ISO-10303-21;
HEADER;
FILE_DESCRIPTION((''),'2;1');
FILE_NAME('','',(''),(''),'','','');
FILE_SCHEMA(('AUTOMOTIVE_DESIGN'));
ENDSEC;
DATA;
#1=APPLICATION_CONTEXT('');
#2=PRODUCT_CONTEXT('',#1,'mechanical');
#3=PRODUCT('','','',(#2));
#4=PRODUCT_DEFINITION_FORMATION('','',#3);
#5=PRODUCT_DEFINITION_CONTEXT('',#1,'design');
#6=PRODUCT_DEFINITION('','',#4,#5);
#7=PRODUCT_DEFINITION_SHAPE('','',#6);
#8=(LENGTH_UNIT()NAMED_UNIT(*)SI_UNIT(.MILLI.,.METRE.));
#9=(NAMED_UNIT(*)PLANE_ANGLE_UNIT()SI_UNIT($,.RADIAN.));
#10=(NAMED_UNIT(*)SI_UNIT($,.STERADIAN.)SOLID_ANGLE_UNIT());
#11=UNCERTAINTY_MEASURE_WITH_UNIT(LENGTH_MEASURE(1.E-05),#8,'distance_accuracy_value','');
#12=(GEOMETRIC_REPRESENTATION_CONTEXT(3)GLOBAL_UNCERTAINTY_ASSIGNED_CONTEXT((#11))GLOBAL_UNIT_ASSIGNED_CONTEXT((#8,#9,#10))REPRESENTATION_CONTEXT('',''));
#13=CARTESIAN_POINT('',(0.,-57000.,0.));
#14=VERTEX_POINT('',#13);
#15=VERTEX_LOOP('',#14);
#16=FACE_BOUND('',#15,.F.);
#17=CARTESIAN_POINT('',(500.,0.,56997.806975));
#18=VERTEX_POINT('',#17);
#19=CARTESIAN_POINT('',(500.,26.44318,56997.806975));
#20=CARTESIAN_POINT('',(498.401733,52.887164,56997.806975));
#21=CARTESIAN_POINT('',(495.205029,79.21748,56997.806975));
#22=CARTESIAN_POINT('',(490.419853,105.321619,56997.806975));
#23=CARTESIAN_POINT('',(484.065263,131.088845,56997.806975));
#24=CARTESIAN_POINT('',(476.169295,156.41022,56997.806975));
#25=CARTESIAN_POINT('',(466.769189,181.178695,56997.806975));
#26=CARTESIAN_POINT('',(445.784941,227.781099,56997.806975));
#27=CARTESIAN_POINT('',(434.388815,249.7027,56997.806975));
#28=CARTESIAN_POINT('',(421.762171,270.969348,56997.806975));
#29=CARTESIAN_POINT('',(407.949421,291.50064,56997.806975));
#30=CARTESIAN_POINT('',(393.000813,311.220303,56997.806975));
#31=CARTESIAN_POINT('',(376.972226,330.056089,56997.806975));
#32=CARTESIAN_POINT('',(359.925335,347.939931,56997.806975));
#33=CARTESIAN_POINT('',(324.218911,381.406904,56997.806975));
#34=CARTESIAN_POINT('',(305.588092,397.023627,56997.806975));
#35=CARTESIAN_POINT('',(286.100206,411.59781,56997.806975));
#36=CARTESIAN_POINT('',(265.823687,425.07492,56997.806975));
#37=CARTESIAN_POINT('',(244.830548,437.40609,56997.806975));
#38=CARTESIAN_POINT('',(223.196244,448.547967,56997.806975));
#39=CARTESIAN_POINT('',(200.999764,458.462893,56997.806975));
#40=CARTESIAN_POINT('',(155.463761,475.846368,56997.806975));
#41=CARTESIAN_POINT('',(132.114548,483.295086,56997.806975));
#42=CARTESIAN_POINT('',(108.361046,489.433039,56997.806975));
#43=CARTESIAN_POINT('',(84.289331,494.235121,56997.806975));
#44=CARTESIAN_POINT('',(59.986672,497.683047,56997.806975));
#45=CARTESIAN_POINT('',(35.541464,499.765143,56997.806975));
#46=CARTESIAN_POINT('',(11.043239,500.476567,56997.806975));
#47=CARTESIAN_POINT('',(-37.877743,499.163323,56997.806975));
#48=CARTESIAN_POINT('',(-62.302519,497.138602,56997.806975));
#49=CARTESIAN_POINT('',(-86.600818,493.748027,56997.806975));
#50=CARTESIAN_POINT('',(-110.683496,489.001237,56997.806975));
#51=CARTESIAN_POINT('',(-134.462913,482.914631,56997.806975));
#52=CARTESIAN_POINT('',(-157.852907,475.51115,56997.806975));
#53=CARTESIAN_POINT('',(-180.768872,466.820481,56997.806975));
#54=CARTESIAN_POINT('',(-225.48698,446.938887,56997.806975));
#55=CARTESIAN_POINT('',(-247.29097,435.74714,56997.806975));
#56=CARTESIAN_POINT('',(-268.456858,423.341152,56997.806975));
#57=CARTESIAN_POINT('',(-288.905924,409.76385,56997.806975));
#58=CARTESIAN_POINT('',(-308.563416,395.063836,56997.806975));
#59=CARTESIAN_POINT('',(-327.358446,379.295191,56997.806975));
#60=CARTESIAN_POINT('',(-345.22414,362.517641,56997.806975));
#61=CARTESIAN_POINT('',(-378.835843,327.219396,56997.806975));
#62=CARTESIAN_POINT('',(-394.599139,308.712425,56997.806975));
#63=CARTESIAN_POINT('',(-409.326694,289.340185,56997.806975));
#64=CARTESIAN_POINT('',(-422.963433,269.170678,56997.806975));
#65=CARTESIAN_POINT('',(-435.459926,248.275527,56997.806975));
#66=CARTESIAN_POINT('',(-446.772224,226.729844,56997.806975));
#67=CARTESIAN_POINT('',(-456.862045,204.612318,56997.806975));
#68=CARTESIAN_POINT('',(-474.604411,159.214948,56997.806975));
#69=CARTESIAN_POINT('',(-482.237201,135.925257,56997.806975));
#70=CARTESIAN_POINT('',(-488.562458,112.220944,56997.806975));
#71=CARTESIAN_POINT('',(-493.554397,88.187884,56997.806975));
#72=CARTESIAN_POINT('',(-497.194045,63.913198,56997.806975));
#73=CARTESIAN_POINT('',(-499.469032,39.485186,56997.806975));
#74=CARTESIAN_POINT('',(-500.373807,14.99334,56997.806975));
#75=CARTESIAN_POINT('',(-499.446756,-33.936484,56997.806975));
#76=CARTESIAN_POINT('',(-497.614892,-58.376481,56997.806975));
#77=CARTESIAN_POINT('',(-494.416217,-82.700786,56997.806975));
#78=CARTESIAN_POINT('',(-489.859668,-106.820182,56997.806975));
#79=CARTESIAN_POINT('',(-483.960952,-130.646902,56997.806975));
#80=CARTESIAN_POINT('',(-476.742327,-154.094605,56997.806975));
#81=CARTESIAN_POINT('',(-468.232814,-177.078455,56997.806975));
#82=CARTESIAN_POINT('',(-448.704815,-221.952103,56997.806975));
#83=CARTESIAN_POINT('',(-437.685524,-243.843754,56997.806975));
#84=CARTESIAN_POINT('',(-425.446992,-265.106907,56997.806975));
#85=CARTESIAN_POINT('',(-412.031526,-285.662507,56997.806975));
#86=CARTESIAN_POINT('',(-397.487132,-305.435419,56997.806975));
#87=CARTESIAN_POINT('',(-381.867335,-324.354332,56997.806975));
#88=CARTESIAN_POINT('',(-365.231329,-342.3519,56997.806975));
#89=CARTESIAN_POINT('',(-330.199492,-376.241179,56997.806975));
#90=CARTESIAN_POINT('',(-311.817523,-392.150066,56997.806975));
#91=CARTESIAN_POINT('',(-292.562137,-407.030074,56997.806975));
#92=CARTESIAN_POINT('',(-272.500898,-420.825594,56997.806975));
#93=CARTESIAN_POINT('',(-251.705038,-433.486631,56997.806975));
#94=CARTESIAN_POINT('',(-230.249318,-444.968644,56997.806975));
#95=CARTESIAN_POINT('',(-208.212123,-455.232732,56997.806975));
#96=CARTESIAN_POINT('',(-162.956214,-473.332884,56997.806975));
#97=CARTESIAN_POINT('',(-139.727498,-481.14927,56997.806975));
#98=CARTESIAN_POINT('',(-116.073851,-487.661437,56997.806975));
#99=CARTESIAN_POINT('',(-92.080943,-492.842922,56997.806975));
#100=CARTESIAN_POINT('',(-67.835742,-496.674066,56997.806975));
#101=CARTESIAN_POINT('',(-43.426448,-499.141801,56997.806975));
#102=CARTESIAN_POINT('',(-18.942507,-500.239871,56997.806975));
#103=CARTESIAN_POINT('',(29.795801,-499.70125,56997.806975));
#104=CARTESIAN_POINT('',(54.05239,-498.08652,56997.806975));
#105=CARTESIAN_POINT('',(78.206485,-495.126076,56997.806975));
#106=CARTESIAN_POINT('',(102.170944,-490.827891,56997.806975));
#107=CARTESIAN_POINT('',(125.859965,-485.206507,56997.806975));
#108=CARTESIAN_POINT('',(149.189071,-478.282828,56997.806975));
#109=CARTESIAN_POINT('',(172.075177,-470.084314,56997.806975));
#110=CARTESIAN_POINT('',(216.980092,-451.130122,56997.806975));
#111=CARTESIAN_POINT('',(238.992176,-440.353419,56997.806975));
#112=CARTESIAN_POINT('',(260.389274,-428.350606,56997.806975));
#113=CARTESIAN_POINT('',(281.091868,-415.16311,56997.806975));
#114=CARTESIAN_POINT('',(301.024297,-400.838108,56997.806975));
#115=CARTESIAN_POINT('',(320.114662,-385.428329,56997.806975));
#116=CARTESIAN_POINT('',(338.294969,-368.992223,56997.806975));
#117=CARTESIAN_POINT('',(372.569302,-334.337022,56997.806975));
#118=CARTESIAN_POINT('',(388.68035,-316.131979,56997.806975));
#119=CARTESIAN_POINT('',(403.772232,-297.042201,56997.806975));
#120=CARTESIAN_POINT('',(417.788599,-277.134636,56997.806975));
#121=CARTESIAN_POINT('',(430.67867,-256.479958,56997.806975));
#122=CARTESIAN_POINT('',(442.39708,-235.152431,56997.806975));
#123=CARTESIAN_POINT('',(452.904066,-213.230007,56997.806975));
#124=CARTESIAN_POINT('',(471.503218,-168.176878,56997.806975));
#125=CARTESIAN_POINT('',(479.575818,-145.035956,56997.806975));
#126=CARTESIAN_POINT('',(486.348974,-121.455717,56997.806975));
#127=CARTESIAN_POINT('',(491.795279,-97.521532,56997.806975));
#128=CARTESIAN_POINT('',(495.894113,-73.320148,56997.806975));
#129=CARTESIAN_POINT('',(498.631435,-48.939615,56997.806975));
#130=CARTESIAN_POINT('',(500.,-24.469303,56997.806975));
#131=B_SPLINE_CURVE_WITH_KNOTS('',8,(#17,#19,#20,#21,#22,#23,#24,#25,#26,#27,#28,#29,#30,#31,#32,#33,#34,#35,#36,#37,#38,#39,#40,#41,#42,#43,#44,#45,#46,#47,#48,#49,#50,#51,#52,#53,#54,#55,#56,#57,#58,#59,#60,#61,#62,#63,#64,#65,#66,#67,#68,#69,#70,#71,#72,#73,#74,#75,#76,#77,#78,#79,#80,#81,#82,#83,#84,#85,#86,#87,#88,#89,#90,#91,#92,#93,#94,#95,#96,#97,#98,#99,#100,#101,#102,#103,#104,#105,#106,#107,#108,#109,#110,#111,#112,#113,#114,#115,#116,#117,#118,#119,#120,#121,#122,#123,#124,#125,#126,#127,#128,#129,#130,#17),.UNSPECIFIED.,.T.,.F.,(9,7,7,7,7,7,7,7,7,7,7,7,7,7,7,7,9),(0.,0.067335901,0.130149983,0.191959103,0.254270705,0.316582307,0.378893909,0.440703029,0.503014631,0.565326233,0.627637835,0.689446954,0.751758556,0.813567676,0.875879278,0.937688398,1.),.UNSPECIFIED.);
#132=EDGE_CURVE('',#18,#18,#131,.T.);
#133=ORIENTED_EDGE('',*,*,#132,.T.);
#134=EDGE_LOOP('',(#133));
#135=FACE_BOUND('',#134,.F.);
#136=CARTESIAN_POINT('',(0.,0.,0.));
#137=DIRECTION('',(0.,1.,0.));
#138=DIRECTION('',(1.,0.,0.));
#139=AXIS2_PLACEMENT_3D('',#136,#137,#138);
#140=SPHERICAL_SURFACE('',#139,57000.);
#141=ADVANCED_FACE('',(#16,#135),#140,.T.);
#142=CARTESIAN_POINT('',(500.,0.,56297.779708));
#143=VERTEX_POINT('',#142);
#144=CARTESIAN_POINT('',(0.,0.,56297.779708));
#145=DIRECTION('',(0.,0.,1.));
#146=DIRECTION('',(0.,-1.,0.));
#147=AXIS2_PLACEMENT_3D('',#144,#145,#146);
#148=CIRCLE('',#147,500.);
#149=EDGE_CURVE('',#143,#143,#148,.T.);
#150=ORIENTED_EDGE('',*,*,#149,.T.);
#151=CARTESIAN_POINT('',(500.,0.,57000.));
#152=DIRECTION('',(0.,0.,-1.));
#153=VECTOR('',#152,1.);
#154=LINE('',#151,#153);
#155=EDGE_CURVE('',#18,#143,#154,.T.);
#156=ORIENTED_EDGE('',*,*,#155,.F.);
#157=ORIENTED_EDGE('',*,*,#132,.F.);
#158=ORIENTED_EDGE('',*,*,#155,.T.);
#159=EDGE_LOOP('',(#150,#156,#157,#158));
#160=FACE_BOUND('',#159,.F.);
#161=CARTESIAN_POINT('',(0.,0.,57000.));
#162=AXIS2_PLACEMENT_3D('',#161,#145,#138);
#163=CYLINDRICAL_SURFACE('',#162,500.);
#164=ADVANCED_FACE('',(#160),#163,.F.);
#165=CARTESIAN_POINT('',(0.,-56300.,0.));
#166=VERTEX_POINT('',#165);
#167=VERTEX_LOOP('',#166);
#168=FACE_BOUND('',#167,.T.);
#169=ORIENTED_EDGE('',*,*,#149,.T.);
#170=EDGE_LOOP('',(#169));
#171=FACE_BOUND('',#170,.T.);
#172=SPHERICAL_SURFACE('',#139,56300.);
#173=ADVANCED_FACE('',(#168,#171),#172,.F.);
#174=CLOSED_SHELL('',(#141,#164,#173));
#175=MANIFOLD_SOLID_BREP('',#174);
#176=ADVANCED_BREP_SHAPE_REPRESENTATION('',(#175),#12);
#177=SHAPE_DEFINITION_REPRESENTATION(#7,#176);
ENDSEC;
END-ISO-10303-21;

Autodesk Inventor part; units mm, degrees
ref_plane "YZ Plane" through (0, 0, 0) normal (1, 0, 0) x (0, 1, 0)
ref_plane "XZ Plane" through (0, 0, 0) normal (0, 1, 0) x (-1, 0, 0)
sketch "Sketch1" plane through (0, 0, 0) normal (0, 0, 1) x (1, 0, 0)
  arc A0 (0, -56300) -> (0, 56300) centre (0, 0) ccw
  arc A1 (0, -57000) -> (0, 57000) centre (0, 0) ccw
  line L0 (0, 57000) -> (0, 56300)
  line L1 (0, -57000) -> (0, -56300)
  dimension "d1" = 56300
  dimension "d2" = 700
revolve "Revolution1" add sketch "Sketch1" angle 360 about axis through (0, 57000, 0) along (0, -1, 0)
ref_plane "Work Plane1" through (0, 0, 57000) normal (0, 0, 1) x (1, 0, 0)
sketch "Sketch2" plane through (0, 0, 57000) normal (0, 0, 1) x (1, 0, 0)
  circle A0 centre (0, 0) radius 500
  circle A1 centre (0, 0) radius 57000 projected
  dimension "d4" = 1000
extrude "Extrusion1" cut sketch "Sketch2" against normal blind 5000 contours A0
properties part number "Tank"
